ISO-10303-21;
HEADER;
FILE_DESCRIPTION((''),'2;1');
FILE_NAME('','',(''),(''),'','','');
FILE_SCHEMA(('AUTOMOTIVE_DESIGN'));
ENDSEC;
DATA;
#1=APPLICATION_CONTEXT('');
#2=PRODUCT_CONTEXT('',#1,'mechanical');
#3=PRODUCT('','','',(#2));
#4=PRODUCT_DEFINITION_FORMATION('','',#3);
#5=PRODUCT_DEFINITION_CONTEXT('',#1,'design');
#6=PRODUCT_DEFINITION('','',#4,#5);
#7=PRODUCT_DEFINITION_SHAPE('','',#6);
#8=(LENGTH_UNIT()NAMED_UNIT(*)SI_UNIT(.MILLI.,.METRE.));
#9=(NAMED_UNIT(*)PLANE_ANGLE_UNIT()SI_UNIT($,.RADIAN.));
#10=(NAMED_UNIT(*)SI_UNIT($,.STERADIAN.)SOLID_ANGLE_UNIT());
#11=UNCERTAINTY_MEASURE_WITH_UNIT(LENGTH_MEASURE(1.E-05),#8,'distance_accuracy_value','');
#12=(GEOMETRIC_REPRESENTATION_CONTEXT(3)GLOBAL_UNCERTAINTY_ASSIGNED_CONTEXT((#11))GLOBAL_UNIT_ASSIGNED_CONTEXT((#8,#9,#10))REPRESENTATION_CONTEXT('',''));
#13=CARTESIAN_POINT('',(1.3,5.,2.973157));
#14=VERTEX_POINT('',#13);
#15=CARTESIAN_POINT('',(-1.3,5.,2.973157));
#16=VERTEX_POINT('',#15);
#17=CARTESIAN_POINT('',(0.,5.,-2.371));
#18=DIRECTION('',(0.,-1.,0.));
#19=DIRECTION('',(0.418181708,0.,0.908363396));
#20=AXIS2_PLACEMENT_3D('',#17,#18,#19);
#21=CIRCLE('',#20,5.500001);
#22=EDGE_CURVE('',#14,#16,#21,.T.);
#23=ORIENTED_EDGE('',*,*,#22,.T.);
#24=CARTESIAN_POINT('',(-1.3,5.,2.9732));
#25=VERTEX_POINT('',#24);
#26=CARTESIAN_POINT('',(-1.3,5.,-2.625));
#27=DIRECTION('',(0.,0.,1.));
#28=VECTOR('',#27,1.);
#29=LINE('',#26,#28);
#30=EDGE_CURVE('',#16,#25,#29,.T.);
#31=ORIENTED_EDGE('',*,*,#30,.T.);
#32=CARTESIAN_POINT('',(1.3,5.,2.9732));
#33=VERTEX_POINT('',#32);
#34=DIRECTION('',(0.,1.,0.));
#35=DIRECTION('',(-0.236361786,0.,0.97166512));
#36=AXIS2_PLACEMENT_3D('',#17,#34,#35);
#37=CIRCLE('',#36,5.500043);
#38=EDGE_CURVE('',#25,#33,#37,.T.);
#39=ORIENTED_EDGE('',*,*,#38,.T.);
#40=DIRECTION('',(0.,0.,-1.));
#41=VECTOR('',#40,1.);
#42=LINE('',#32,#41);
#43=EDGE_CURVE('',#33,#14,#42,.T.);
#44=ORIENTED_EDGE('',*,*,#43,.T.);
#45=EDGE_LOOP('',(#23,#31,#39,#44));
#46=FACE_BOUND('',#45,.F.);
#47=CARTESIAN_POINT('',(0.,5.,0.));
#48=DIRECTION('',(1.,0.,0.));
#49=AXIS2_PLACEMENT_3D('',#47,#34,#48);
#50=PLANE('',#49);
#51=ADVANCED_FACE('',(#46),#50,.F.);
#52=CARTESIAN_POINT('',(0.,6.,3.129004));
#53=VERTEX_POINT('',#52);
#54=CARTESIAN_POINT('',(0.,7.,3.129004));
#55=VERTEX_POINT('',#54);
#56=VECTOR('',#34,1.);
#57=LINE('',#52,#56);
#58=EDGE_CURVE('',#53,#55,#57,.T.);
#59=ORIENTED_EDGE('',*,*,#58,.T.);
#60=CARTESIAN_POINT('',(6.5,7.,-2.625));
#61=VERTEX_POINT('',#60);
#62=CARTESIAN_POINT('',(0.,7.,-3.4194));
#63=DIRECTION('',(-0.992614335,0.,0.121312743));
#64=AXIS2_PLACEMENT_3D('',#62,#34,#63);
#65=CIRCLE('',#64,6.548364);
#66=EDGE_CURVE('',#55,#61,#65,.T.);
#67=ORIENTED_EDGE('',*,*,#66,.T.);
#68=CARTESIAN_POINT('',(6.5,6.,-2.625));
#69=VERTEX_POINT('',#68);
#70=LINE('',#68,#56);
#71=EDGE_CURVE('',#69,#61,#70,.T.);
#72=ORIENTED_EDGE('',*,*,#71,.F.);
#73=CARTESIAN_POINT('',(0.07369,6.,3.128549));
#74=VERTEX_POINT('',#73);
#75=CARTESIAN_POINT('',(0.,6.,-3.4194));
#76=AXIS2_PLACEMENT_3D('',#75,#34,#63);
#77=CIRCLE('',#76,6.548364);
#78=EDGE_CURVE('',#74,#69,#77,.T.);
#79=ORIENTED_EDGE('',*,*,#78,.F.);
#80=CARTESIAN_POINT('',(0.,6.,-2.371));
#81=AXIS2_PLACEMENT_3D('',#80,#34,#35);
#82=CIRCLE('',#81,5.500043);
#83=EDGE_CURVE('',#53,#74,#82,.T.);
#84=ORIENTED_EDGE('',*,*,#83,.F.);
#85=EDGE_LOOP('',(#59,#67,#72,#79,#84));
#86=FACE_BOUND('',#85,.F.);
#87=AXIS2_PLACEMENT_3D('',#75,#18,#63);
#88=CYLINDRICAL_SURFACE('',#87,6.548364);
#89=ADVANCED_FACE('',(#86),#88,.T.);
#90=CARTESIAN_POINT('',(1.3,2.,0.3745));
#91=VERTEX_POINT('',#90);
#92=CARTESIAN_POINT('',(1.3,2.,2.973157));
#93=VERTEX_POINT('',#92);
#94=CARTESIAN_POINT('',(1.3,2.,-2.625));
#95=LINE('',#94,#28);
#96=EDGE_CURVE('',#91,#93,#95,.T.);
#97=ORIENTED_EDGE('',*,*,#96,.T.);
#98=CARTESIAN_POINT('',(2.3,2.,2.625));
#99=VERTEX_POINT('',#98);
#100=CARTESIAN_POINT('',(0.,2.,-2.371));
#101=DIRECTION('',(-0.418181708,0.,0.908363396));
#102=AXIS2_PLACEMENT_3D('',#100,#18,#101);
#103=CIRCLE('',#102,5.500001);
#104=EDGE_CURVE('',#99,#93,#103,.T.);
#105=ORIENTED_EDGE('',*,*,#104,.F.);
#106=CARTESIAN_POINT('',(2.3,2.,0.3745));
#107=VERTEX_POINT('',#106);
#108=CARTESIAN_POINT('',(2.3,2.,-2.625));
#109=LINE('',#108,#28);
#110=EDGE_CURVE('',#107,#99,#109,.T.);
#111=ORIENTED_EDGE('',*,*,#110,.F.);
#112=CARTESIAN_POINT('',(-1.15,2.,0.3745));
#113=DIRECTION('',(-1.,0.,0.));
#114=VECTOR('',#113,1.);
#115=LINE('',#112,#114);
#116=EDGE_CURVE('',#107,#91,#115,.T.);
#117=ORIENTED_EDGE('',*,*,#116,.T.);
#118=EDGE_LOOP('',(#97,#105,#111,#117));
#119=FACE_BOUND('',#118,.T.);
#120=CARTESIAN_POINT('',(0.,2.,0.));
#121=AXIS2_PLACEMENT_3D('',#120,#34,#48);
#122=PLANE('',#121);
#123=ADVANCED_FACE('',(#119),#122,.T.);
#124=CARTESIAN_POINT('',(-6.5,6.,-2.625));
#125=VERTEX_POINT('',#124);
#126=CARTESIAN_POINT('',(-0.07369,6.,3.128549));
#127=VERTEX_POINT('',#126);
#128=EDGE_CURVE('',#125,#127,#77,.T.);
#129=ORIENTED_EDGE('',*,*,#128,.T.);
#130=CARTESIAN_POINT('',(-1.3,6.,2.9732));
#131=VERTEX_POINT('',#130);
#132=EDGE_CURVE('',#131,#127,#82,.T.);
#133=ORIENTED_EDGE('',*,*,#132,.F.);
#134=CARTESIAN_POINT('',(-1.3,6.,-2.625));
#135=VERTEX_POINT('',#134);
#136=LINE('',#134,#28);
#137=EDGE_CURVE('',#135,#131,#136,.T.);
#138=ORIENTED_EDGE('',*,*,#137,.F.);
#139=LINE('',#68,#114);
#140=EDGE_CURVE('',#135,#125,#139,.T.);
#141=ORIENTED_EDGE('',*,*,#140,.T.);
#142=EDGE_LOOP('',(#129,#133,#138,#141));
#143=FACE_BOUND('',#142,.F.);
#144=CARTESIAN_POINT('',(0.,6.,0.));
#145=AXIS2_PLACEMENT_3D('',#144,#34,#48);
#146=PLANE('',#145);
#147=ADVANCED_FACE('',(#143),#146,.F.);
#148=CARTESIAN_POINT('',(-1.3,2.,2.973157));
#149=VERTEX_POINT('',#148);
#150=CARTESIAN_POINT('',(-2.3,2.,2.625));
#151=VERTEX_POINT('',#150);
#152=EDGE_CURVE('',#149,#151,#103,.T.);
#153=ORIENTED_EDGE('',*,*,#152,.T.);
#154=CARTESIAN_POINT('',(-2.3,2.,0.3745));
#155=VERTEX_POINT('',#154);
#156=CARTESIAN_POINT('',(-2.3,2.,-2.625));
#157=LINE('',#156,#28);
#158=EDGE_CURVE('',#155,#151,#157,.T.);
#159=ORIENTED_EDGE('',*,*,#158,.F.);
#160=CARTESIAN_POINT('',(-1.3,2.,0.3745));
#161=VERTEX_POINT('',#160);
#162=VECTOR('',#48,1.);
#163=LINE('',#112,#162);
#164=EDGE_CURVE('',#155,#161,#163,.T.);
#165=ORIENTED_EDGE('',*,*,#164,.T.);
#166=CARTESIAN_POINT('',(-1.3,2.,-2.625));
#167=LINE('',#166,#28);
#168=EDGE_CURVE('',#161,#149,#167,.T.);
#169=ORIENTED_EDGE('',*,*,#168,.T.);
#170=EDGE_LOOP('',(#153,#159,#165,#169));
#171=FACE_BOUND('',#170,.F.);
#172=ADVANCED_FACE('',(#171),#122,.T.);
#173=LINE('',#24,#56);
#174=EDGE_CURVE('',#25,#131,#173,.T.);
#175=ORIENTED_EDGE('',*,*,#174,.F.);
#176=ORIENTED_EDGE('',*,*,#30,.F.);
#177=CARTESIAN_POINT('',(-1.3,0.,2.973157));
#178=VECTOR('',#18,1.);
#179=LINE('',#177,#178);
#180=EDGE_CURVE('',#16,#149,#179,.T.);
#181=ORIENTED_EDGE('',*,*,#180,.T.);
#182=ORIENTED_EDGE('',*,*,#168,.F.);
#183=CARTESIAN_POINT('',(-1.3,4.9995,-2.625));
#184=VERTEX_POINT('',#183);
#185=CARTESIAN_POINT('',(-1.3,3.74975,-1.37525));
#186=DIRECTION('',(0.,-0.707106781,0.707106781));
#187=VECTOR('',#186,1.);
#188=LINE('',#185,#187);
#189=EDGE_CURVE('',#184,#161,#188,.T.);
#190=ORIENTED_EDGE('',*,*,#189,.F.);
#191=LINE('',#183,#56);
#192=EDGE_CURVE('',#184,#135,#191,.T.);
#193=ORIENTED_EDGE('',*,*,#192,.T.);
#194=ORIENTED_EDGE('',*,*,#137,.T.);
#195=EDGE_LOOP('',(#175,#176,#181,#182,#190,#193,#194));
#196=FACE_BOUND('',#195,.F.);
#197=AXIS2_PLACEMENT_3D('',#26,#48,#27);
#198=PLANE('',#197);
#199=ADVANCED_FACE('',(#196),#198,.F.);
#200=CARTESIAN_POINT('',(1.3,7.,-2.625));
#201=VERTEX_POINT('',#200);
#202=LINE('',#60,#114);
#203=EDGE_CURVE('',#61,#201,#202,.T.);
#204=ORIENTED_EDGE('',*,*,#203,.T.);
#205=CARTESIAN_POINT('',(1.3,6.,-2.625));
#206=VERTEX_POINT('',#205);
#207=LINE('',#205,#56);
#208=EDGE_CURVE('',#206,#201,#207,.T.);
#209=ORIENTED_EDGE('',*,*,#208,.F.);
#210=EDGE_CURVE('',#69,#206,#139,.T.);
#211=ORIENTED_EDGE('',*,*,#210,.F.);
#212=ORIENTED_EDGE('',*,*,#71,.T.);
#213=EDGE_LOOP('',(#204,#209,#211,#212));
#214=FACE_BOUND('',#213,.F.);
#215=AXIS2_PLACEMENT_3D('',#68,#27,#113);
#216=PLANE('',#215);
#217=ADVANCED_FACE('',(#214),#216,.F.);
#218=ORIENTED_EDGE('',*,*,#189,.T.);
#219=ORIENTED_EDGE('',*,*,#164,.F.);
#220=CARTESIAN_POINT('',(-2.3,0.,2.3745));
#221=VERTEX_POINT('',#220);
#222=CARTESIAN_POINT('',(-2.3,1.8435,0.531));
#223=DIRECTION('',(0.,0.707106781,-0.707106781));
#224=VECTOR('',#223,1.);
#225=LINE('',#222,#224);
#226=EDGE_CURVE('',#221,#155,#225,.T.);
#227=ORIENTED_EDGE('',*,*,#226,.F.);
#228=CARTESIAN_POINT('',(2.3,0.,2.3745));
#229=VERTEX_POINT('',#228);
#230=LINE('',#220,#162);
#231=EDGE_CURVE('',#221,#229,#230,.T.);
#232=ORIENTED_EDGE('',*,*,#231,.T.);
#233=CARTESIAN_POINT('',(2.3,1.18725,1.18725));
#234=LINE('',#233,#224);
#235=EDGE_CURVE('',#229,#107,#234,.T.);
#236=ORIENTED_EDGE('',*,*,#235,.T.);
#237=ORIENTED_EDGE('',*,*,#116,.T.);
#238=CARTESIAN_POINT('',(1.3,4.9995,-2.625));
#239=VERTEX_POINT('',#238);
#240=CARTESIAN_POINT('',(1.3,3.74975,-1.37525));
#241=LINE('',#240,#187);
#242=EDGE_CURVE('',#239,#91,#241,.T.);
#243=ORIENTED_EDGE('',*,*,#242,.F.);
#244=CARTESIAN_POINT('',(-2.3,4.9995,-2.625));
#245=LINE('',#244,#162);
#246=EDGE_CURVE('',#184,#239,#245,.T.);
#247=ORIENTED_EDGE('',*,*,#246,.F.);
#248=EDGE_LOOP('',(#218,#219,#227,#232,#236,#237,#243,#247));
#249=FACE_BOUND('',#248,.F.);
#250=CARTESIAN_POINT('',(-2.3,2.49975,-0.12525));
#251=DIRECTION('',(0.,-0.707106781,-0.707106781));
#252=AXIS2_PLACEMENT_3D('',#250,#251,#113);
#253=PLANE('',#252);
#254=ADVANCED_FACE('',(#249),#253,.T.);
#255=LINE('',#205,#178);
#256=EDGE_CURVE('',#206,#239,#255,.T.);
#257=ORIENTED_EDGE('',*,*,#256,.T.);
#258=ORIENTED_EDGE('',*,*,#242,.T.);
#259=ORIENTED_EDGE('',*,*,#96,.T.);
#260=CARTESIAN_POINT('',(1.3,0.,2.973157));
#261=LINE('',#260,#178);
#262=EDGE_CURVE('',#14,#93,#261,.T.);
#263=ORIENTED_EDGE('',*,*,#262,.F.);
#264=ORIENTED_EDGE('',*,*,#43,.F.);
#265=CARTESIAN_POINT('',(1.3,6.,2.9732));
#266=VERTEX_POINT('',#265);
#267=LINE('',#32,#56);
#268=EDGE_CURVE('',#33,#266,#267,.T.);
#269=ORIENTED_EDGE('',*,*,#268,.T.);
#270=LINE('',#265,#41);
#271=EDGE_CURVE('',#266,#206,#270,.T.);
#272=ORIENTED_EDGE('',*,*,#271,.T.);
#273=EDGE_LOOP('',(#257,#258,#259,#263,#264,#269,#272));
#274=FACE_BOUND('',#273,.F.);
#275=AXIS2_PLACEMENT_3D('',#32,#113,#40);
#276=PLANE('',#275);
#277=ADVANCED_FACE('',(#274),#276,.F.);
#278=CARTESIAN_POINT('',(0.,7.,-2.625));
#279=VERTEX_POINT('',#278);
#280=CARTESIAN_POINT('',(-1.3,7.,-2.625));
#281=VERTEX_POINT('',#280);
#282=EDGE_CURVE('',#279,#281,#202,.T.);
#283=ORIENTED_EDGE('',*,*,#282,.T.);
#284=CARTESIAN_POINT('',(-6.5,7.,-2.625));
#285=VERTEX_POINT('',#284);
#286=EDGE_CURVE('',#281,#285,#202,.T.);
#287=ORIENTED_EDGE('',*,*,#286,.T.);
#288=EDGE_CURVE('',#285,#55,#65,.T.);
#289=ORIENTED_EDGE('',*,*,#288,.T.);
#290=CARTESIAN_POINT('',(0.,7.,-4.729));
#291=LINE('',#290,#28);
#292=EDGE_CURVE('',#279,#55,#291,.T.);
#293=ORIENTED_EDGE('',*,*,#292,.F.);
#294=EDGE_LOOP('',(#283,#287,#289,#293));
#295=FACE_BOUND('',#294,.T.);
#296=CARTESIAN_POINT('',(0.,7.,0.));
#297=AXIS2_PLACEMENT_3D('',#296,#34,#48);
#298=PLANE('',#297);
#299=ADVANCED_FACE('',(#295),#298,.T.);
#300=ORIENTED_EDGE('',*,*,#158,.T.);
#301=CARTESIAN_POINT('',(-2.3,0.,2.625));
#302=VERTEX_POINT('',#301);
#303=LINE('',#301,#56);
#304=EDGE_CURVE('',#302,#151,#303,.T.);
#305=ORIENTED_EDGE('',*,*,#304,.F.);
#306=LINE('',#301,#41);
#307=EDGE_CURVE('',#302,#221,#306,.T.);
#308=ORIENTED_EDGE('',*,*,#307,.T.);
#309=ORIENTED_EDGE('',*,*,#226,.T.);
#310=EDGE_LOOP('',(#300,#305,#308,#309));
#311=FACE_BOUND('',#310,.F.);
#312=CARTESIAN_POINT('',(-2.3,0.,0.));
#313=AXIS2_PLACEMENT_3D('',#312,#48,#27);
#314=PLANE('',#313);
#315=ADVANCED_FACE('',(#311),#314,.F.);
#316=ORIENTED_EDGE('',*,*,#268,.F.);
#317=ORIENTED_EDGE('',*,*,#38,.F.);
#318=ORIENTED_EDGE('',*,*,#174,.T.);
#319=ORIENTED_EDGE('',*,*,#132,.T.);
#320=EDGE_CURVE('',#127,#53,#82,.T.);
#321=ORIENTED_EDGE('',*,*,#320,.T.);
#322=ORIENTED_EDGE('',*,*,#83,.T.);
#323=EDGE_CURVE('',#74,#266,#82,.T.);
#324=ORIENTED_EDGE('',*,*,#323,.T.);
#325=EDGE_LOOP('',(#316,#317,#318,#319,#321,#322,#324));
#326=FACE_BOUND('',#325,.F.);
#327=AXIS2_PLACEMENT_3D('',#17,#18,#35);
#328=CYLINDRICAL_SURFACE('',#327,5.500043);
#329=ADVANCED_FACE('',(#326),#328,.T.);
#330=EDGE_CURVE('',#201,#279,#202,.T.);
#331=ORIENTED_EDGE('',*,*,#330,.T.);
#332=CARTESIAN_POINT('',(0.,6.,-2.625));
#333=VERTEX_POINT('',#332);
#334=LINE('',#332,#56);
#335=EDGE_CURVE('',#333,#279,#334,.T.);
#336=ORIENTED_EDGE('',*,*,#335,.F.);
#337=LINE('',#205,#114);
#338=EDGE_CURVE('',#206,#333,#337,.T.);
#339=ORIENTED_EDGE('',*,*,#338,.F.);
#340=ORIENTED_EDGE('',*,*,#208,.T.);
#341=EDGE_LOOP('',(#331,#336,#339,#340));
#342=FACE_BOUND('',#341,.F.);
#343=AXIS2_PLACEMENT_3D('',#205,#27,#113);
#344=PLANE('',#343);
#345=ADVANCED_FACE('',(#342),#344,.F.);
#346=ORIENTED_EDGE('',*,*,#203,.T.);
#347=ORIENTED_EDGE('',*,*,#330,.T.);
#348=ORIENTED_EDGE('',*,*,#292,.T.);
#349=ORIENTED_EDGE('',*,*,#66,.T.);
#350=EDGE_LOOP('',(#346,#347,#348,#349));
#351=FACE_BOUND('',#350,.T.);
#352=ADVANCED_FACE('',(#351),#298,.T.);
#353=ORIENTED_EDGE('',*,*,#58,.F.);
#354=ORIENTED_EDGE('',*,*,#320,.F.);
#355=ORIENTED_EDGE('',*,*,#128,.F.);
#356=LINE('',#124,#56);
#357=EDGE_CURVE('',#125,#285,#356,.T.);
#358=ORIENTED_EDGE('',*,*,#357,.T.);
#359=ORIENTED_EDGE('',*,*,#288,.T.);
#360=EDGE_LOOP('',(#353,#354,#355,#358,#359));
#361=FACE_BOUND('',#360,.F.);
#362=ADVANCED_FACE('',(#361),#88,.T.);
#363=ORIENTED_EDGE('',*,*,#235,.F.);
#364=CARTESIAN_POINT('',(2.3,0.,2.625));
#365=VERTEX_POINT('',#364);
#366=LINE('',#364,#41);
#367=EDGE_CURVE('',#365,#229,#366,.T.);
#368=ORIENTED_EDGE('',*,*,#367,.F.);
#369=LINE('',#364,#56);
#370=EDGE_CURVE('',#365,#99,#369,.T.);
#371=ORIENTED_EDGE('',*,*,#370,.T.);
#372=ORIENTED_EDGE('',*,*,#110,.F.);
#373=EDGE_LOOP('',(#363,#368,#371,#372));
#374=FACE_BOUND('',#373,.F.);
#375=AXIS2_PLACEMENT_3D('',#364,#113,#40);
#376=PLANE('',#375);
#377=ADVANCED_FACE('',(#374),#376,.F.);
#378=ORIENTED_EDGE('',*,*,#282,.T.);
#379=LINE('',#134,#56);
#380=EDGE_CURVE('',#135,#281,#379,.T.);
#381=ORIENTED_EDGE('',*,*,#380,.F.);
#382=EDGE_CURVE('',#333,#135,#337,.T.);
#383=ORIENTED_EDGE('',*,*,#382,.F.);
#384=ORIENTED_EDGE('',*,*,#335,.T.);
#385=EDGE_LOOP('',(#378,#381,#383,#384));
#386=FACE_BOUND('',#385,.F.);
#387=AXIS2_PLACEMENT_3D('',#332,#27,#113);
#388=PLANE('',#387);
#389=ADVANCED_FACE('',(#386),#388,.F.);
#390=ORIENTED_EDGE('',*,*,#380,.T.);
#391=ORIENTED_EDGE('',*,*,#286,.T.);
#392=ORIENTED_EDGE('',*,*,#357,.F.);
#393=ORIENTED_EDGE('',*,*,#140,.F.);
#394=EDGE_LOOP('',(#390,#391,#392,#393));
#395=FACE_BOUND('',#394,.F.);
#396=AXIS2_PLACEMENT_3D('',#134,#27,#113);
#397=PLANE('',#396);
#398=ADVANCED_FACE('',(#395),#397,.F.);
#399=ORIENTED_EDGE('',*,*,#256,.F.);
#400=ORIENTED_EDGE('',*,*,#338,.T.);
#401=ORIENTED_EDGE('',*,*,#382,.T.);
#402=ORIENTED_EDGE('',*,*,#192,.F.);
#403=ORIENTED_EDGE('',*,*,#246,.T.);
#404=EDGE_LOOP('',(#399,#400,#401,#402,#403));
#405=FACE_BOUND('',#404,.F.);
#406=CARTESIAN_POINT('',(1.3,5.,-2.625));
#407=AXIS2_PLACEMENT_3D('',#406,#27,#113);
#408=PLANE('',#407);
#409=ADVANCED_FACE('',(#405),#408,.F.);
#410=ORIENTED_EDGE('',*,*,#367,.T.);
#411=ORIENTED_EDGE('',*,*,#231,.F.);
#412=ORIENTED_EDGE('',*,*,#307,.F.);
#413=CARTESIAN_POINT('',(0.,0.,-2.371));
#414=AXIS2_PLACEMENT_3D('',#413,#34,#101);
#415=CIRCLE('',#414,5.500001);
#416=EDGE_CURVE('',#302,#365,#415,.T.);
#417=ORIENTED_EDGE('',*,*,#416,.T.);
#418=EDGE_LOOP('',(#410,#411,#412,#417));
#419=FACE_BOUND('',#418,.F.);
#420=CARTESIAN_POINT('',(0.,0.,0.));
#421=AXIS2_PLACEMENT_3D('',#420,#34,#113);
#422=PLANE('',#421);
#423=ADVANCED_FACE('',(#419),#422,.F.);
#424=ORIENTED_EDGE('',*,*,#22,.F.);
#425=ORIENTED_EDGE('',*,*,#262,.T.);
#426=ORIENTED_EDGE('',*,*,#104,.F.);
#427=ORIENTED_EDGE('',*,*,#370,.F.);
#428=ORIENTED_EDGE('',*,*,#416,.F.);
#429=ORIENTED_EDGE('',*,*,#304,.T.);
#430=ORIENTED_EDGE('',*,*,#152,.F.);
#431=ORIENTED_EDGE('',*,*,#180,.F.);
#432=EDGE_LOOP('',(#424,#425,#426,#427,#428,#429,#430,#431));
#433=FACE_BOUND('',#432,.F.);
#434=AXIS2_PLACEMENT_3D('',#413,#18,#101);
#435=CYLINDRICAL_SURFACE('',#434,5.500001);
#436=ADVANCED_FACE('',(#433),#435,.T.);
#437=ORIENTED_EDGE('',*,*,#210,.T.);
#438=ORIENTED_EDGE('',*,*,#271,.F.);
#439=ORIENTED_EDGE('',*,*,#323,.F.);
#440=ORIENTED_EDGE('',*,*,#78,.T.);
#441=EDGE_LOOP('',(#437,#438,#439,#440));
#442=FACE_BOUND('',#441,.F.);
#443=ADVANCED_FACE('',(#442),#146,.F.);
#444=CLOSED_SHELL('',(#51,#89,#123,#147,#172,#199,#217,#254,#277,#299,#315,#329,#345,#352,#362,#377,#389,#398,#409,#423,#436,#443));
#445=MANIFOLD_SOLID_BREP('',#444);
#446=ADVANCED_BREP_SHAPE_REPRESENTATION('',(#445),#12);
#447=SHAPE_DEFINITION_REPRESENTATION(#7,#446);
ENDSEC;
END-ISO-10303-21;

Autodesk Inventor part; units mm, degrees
ref_plane "YZ Plane" through (0, 0, 0) normal (1, 0, 0) x (0, 1, 0)
ref_plane "XZ Plane" through (0, 0, 0) normal (0, 1, 0) x (-1, 0, 0)
ref_plane "XY Plane" through (0, 0, 0) normal (0, 0, 1) x (1, 0, 0)
sketch "Эскиз1" plane through (0, 0, 0) normal (0, 1, 0) x (-1, 0, 0)
  line L0 (2.3, 2.625) -> (-2.3, 2.625) construction
  line L1 (-2.3, 2.625) -> (-2.3, -2.625)
  line L2 (-2.3, -2.625) -> (2.3, -2.625)
  line L3 (2.3, -2.625) -> (2.3, 2.625)
  line L4 (3.22, 0) -> (-3.22, 0) projected
  line L5 (0, -3.7758) -> (0, 4.2798) projected
  arc A0 (2.3, 2.625) -> (-2.3, 2.625) centre (0, -2.371) ccw
  point P0 (0, 0)
  dimension "d0" = 4.6
  dimension "d10" = 5.25
  dimension "d17" = 5.5
extrude "Выдавливание1" add sketch "Эскиз1" along normal blind 5
chamfer "Фаска2" distance 5 angle 45 1 edges at (0, 0, -2.625)
sketch "Эскиз3" plane through (0, 5, 0) normal (0, 1, 0) x (1, 0, 0)
  line L0 (2.3, -2.625) -> (2.3, 2.625) projected
  line L1 (2.3, 2.625) -> (1.3, 2.625)
  line L2 (1.3, 2.625) -> (1.3, -3.129)
  line L3 (1.3, -3.129) -> (2.3, -3.129)
  line L4 (2.3, -3.129) -> (2.3, 2.625)
  arc A0 (-2.3, -2.625) -> (2.3, -2.625) centre (0, 2.371) ccw projected
  point P0 (0, 0)
  dimension "d14" = 1
extrude "Выдавливание3" cut sketch "Эскиз3" against normal blind 3
mirror "Зеркальное отражение1" about plane through (0, 0, 0) normal (1, 0, 0) of "Выдавливание3"
sketch "Эскиз4" plane through (0, 5, 0) normal (0, 1, 0) x (1, 0, 0)
  line L0 (-1.3, 2.625) -> (-1.3, -2.9732) projected
  arc A0 (-1.3, -2.9732) -> (1.3, -2.9732) centre (0, 2.371) ccw projected
  line L1 (1.3, -2.9732) -> (1.3, 2.625) projected
  line L2 (1.3, 2.625) -> (-1.3, 2.625) projected
  point P0 (0, 0)
extrude "Выдавливание4" add sketch "Эскиз4" along normal blind 1
sketch "Эскиз5" plane through (0, 6, 0) normal (0, 1, 0) x (1, 0, 0)
  line L0 (6.5, 2.625) -> (-6.5, 2.625)
  line L1 (1.3, 2.625) -> (-1.3, 2.625) projected
  line L2 (0, 4.729) -> (0, -4.4387) projected
  arc A0 (-6.5, 2.625) -> (6.5, 2.625) centre (0, 3.4194) ccw
  arc A1 (-1.3, -2.9732) -> (1.3, -2.9732) centre (0, 2.371) ccw projected
  point P0 (0, 0)
  point P1 (0, -3.129)
  dimension "d20" = 13
extrude "Выдавливание5" add sketch "Эскиз5" along normal blind 1
properties part number "BUTTON_INSIDE"
